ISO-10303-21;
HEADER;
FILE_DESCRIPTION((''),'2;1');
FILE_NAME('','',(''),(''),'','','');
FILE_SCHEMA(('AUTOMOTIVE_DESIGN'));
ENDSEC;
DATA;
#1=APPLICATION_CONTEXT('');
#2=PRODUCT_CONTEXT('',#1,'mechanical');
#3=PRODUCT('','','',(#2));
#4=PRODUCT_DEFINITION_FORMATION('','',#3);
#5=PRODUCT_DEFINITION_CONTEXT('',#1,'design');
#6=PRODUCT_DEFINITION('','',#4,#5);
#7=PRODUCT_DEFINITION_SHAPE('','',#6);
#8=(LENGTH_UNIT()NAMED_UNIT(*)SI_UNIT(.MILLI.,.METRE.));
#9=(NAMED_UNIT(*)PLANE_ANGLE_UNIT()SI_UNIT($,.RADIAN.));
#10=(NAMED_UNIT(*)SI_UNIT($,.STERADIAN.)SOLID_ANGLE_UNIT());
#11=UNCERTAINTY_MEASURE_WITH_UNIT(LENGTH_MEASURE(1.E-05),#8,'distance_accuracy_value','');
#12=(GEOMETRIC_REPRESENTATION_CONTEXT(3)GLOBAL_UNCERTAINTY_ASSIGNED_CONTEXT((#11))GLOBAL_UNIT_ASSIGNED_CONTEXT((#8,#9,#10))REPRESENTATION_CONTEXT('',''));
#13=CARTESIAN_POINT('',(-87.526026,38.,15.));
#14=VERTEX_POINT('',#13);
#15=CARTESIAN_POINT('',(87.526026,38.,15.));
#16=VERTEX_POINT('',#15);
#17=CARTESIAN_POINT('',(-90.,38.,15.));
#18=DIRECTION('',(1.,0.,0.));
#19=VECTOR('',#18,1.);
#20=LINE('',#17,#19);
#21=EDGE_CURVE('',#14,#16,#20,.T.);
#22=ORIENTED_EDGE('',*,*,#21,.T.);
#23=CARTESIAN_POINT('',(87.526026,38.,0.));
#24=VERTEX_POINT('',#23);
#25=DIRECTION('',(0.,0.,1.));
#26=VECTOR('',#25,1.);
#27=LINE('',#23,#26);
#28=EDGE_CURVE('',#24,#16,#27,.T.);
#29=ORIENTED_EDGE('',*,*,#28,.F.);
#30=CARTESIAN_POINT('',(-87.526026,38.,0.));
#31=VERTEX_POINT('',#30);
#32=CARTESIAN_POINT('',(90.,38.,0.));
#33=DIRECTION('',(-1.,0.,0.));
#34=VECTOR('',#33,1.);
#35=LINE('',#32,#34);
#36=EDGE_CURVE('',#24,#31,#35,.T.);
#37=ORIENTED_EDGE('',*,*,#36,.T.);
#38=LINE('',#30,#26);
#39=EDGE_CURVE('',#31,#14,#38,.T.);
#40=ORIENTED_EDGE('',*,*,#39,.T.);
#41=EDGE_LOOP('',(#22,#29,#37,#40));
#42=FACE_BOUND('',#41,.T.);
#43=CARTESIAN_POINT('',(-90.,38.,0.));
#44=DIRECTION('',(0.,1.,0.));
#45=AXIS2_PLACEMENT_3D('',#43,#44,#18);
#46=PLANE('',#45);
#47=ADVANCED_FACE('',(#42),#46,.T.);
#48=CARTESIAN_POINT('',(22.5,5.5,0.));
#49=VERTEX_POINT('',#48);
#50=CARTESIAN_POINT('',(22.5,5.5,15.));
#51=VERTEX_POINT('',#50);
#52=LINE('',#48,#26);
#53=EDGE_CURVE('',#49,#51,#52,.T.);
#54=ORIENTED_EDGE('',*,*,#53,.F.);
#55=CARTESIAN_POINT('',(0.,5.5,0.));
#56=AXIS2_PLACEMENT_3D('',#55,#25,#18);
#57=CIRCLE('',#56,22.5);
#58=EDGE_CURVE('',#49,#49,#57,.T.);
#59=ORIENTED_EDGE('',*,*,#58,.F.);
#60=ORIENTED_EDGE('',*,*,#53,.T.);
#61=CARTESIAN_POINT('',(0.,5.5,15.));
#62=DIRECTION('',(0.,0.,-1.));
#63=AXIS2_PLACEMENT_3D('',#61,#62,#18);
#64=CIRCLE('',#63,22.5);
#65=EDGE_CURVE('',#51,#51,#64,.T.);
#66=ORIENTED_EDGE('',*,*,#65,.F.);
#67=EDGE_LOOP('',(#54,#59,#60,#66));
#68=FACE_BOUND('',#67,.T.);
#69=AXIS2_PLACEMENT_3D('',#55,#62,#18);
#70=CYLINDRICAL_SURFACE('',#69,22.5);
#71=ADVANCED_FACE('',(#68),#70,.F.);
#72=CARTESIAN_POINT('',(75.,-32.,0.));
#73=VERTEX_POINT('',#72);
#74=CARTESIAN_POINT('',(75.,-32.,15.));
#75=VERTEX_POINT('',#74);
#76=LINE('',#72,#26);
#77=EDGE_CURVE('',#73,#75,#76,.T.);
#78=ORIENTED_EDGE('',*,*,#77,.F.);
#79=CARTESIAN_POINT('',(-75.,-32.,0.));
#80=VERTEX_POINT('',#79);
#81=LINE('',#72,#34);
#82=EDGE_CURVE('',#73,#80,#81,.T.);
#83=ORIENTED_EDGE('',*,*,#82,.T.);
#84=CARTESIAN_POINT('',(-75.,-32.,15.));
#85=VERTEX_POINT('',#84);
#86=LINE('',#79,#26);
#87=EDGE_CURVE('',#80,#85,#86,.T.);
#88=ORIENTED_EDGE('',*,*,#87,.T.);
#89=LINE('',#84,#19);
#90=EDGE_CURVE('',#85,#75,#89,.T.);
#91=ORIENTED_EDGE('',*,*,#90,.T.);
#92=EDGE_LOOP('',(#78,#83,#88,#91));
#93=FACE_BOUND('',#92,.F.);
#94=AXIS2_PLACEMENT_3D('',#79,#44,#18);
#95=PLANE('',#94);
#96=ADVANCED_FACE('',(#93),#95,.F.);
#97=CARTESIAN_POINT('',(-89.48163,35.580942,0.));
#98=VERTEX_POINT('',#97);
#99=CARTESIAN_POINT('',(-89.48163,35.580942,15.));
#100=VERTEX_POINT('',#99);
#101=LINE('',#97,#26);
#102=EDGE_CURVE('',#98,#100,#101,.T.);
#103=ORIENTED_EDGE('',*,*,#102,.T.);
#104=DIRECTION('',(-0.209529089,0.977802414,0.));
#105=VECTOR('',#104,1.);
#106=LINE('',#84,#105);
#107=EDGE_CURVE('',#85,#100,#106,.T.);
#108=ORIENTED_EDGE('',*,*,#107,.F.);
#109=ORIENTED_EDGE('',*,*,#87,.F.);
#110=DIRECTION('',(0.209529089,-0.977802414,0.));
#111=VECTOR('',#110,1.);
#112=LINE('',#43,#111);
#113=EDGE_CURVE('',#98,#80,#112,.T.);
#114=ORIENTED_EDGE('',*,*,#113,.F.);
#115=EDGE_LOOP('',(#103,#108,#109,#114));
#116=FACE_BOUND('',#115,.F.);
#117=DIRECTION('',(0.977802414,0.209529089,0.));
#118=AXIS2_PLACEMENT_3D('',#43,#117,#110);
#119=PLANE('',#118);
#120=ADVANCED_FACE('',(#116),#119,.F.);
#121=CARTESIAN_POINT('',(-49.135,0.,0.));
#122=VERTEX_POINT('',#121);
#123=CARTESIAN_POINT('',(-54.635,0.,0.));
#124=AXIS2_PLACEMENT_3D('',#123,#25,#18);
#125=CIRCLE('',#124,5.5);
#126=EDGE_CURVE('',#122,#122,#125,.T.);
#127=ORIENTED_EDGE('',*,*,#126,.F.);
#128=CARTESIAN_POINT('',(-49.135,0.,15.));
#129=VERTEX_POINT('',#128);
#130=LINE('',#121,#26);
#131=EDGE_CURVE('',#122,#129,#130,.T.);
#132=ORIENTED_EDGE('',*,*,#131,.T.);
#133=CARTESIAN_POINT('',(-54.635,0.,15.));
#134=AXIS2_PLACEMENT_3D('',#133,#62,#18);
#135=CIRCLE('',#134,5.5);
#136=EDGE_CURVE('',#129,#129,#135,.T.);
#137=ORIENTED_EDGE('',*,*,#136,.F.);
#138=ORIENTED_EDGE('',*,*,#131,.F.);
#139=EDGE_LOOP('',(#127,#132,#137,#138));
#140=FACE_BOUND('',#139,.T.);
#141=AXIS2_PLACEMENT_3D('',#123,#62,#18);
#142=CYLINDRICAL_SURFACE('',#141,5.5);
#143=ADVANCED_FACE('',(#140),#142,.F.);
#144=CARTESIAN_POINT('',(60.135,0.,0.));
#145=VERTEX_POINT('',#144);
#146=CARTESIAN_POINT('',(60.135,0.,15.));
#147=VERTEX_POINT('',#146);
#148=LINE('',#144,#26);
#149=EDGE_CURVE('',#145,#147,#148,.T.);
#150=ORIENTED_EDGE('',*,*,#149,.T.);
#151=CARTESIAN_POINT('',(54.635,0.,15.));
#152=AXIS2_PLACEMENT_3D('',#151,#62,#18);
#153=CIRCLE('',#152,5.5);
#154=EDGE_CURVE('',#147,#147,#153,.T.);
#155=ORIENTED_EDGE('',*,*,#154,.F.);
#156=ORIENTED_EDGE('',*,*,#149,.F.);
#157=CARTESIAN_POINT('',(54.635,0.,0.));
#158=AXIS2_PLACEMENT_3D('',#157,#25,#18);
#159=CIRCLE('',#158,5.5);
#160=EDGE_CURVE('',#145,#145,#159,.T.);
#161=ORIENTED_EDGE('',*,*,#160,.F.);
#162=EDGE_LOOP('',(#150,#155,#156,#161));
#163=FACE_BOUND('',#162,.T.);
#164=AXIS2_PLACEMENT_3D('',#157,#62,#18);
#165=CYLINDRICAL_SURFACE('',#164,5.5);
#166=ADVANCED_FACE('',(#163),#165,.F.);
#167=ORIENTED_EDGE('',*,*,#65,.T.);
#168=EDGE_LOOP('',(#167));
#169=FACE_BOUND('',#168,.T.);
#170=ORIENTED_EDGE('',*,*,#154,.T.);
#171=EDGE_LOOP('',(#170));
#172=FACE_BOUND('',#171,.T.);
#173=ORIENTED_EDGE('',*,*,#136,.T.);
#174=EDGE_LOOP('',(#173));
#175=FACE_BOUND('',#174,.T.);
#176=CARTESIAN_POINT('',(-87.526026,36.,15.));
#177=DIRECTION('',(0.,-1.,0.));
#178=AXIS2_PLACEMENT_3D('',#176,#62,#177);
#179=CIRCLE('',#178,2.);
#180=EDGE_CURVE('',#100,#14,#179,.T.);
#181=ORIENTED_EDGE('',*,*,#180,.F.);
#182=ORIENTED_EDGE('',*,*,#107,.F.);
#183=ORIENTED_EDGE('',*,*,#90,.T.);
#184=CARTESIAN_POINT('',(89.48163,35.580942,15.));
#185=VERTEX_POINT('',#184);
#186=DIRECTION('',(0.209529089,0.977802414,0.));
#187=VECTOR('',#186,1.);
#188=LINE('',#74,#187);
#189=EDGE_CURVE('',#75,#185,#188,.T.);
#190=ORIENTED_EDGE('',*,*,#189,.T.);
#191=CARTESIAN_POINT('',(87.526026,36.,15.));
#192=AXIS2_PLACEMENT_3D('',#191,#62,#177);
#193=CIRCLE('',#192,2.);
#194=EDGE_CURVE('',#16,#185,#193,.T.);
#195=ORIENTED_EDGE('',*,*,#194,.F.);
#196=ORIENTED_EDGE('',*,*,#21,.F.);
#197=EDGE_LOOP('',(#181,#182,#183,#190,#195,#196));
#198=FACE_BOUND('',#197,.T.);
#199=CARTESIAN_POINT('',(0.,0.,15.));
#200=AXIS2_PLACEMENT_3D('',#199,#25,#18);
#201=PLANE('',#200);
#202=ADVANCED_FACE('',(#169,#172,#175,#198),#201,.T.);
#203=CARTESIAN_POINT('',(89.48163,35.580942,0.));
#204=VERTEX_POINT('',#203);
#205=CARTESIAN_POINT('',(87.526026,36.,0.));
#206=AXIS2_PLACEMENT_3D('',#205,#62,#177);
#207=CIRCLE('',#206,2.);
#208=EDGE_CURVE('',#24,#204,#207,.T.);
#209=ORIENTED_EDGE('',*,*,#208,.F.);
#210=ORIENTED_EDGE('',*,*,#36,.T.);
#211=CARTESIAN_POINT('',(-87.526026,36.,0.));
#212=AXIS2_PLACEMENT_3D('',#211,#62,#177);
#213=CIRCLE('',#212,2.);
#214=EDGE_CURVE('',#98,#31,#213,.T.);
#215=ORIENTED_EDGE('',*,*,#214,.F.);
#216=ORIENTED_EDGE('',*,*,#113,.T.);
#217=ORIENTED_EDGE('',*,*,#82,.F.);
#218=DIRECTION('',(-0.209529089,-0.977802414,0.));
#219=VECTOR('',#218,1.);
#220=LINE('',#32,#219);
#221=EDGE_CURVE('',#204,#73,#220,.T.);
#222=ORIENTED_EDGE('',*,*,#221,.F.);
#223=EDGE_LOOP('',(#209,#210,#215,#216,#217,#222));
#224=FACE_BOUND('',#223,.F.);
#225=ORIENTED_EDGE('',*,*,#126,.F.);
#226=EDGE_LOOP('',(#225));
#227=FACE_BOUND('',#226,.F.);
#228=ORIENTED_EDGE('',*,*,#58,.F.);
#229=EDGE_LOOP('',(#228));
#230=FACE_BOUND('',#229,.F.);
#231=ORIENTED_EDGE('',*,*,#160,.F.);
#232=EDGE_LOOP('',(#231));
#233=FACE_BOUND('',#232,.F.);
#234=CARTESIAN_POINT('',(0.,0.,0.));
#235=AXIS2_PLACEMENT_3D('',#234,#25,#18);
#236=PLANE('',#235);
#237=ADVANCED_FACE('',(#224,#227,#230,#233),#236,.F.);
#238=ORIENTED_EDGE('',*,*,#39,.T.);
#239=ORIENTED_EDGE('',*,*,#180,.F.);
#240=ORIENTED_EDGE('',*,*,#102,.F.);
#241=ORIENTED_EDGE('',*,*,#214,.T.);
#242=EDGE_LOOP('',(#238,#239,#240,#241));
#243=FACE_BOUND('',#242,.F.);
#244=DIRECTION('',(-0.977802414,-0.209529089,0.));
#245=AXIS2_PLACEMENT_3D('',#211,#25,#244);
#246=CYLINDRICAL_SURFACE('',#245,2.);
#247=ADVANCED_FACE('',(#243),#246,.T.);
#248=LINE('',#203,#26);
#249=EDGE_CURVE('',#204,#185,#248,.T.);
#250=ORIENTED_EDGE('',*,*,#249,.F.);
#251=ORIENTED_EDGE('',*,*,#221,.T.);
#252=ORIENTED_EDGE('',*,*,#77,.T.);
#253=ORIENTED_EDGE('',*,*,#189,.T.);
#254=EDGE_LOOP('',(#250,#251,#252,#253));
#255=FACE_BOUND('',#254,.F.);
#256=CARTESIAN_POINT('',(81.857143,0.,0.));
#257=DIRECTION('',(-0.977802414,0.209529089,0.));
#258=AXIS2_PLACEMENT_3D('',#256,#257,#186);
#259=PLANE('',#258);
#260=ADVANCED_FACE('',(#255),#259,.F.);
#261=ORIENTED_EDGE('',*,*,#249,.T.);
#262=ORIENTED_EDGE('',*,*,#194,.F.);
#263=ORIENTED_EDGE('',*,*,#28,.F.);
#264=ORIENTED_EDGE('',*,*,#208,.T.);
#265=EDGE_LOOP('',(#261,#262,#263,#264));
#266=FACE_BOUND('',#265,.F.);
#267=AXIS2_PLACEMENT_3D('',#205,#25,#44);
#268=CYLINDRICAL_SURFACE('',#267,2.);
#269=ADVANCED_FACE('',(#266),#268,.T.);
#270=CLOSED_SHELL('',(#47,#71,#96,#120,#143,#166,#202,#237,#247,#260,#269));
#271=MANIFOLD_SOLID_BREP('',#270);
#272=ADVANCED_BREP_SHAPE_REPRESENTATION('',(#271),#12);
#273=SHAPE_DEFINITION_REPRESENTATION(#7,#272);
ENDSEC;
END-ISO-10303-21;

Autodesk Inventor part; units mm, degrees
ref_plane "YZ Plane" through (0, 0, 0) normal (1, 0, 0) x (0, 1, 0)
ref_plane "XZ Plane" through (0, 0, 0) normal (0, 1, 0) x (-1, 0, 0)
ref_plane "XY Plane" through (0, 0, 0) normal (0, 0, 1) x (1, 0, 0)
sketch "hole pattern" plane through (0, 0, 0) normal (0, 0, 1) x (1, 0, 0)
  circle A0 centre (-54.635, 0) radius 5 construction
  line L0 (-126, 0) -> (126, 0) projected
  line L1 (0, -46) -> (0, 52) projected
  circle A1 centre (0, 5.5) radius 22.5
  line L2 (-54.635, -5) -> (0, -5) construction
  circle A2 centre (54.635, 0) radius 5 construction
  line L3 (-90, 38) -> (90, 38)
  line L4 (-90, 38) -> (-75, -32)
  line L5 (-75, -32) -> (75, -32)
  line L6 (75, -32) -> (90, 38)
  circle A3 centre (-54.635, 0) radius 15 construction
  circle A4 centre (54.635, 0) radius 15 construction
  circle A5 centre (-54.635, 0) radius 5.5
  circle A6 centre (54.635, 0) radius 5.5
  point P0 (0, 0)
  dimension "d1" = 10
  dimension "d0" = 54.635
  dimension "d2" = 45
  dimension "topWidth" = 180
  dimension "d38" = 90
  dimension "d39" = 32.5
  dimension "d40" = 10.5
  dimension "d41" = 32
  dimension "d42" = 30
  dimension "d43" = 30
  dimension "d44" = 11
  dimension "d45" = 11
  dimension "d76" = 150
extrude "Extrusion1" add sketch "hole pattern" along normal blind 15 contours L4 L3 L1 A1 L0 A5 | L0 A5 A1 L1 L5 L4 | L3 L6 L0 A6 A1 L1 | L1 A1 L0 A6 L6 L5
fillet "Fillet1" radius 2 2 edges at (-90, 38, 7.5) (90, 38, 7.5)
equation "\"d38\" = 0.5 * topWidth"
properties part number "Brake_Light_Base_Plate"
